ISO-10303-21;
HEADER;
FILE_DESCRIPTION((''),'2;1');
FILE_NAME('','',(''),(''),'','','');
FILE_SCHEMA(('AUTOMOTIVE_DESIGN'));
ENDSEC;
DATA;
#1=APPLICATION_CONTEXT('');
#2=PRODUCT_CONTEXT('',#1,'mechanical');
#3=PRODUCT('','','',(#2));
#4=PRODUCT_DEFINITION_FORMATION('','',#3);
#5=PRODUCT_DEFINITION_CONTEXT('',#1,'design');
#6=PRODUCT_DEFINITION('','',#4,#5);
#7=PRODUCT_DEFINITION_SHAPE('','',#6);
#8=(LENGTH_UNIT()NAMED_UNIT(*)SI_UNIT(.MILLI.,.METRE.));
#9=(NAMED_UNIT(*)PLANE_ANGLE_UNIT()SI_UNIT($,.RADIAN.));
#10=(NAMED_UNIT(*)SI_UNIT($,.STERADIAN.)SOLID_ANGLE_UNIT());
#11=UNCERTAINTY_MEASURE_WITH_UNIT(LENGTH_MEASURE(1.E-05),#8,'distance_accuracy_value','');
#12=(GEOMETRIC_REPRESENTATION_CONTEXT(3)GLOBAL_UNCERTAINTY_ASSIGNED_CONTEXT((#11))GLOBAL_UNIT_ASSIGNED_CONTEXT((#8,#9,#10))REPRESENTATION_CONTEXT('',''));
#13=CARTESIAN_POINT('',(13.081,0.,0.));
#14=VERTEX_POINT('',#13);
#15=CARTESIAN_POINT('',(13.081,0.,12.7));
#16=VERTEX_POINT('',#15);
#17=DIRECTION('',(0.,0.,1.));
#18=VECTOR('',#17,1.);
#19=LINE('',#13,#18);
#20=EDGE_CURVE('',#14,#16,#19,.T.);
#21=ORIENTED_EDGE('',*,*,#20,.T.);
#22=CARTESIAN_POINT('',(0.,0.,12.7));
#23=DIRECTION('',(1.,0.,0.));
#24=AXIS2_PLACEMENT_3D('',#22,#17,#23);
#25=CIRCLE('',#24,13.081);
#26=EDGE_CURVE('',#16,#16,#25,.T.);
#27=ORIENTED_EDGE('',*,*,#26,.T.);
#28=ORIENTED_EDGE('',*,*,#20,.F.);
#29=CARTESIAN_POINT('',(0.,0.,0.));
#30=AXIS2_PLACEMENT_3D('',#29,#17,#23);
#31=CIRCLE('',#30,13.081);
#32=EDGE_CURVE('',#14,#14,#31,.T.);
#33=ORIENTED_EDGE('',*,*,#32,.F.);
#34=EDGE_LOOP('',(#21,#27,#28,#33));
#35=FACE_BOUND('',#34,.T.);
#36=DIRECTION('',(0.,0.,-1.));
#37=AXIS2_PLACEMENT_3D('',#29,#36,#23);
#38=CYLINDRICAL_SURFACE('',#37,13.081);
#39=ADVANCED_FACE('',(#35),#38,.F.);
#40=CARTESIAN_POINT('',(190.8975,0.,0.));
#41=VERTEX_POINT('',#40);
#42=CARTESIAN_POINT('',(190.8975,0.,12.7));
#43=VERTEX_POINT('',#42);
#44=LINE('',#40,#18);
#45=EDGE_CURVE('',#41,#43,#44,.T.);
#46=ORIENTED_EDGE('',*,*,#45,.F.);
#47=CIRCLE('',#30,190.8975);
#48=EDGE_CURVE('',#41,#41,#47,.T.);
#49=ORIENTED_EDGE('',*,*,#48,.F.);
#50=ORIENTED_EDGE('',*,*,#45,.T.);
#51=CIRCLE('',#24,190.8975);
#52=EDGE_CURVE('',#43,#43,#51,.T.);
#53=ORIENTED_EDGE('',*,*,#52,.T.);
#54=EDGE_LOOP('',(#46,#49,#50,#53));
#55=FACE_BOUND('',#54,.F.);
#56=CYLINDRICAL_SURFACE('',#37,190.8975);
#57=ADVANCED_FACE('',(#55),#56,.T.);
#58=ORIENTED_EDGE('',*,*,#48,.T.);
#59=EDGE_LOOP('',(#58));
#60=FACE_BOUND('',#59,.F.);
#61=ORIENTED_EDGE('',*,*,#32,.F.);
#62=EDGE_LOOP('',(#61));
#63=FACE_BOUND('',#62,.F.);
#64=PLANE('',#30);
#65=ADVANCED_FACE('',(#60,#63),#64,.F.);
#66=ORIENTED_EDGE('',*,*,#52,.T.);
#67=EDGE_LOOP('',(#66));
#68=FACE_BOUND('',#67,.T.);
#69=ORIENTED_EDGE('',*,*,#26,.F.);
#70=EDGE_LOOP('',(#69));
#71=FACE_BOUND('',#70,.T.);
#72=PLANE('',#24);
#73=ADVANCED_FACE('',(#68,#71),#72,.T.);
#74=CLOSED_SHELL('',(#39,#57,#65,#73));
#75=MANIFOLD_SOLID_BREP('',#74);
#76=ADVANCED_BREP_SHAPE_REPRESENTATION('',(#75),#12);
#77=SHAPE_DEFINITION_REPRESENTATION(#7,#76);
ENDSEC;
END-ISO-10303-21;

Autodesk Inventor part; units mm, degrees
ref_plane "YZ Plane" through (0, 0, 0) normal (1, 0, 0) x (0, 1, 0)
ref_plane "XZ Plane" through (0, 0, 0) normal (0, 1, 0) x (-1, 0, 0)
ref_plane "XY Plane" through (0, 0, 0) normal (0, 0, 1) x (1, 0, 0)
sketch "Sketch12" plane through (0, 0, 0) normal (0, 0, 1) x (1, 0, 0)
  circle A0 centre (0, 0) radius 190.8975
  circle A1 centre (0, 0) radius 13.081
  dimension "d107" = 381.795
  dimension "d108" = 26.162
extrude "Plate4" add sketch "Sketch12" along normal blind 12.7
equation "\"d109\" = Thickness"
equation "\"BendRadius\" = Thickness"
equation "\"BendReliefWidth\" = Thickness"
equation "\"BendReliefDepth\" = 0.5 * Thickness"
equation "\"CornerReliefSize\" = 4 * Thickness"
equation "\"MinimumRemnant\" = 2 * Thickness"
equation "\"TransitionRadius\" = BendRadius"
equation "\"JacobiRadiusSize\" = BendRadius"
equation "\"GapSize\" = Thickness"
equation "\"Thickness\" = 12.7"
properties part number "CRA-1027" material "Steel, Mild"
